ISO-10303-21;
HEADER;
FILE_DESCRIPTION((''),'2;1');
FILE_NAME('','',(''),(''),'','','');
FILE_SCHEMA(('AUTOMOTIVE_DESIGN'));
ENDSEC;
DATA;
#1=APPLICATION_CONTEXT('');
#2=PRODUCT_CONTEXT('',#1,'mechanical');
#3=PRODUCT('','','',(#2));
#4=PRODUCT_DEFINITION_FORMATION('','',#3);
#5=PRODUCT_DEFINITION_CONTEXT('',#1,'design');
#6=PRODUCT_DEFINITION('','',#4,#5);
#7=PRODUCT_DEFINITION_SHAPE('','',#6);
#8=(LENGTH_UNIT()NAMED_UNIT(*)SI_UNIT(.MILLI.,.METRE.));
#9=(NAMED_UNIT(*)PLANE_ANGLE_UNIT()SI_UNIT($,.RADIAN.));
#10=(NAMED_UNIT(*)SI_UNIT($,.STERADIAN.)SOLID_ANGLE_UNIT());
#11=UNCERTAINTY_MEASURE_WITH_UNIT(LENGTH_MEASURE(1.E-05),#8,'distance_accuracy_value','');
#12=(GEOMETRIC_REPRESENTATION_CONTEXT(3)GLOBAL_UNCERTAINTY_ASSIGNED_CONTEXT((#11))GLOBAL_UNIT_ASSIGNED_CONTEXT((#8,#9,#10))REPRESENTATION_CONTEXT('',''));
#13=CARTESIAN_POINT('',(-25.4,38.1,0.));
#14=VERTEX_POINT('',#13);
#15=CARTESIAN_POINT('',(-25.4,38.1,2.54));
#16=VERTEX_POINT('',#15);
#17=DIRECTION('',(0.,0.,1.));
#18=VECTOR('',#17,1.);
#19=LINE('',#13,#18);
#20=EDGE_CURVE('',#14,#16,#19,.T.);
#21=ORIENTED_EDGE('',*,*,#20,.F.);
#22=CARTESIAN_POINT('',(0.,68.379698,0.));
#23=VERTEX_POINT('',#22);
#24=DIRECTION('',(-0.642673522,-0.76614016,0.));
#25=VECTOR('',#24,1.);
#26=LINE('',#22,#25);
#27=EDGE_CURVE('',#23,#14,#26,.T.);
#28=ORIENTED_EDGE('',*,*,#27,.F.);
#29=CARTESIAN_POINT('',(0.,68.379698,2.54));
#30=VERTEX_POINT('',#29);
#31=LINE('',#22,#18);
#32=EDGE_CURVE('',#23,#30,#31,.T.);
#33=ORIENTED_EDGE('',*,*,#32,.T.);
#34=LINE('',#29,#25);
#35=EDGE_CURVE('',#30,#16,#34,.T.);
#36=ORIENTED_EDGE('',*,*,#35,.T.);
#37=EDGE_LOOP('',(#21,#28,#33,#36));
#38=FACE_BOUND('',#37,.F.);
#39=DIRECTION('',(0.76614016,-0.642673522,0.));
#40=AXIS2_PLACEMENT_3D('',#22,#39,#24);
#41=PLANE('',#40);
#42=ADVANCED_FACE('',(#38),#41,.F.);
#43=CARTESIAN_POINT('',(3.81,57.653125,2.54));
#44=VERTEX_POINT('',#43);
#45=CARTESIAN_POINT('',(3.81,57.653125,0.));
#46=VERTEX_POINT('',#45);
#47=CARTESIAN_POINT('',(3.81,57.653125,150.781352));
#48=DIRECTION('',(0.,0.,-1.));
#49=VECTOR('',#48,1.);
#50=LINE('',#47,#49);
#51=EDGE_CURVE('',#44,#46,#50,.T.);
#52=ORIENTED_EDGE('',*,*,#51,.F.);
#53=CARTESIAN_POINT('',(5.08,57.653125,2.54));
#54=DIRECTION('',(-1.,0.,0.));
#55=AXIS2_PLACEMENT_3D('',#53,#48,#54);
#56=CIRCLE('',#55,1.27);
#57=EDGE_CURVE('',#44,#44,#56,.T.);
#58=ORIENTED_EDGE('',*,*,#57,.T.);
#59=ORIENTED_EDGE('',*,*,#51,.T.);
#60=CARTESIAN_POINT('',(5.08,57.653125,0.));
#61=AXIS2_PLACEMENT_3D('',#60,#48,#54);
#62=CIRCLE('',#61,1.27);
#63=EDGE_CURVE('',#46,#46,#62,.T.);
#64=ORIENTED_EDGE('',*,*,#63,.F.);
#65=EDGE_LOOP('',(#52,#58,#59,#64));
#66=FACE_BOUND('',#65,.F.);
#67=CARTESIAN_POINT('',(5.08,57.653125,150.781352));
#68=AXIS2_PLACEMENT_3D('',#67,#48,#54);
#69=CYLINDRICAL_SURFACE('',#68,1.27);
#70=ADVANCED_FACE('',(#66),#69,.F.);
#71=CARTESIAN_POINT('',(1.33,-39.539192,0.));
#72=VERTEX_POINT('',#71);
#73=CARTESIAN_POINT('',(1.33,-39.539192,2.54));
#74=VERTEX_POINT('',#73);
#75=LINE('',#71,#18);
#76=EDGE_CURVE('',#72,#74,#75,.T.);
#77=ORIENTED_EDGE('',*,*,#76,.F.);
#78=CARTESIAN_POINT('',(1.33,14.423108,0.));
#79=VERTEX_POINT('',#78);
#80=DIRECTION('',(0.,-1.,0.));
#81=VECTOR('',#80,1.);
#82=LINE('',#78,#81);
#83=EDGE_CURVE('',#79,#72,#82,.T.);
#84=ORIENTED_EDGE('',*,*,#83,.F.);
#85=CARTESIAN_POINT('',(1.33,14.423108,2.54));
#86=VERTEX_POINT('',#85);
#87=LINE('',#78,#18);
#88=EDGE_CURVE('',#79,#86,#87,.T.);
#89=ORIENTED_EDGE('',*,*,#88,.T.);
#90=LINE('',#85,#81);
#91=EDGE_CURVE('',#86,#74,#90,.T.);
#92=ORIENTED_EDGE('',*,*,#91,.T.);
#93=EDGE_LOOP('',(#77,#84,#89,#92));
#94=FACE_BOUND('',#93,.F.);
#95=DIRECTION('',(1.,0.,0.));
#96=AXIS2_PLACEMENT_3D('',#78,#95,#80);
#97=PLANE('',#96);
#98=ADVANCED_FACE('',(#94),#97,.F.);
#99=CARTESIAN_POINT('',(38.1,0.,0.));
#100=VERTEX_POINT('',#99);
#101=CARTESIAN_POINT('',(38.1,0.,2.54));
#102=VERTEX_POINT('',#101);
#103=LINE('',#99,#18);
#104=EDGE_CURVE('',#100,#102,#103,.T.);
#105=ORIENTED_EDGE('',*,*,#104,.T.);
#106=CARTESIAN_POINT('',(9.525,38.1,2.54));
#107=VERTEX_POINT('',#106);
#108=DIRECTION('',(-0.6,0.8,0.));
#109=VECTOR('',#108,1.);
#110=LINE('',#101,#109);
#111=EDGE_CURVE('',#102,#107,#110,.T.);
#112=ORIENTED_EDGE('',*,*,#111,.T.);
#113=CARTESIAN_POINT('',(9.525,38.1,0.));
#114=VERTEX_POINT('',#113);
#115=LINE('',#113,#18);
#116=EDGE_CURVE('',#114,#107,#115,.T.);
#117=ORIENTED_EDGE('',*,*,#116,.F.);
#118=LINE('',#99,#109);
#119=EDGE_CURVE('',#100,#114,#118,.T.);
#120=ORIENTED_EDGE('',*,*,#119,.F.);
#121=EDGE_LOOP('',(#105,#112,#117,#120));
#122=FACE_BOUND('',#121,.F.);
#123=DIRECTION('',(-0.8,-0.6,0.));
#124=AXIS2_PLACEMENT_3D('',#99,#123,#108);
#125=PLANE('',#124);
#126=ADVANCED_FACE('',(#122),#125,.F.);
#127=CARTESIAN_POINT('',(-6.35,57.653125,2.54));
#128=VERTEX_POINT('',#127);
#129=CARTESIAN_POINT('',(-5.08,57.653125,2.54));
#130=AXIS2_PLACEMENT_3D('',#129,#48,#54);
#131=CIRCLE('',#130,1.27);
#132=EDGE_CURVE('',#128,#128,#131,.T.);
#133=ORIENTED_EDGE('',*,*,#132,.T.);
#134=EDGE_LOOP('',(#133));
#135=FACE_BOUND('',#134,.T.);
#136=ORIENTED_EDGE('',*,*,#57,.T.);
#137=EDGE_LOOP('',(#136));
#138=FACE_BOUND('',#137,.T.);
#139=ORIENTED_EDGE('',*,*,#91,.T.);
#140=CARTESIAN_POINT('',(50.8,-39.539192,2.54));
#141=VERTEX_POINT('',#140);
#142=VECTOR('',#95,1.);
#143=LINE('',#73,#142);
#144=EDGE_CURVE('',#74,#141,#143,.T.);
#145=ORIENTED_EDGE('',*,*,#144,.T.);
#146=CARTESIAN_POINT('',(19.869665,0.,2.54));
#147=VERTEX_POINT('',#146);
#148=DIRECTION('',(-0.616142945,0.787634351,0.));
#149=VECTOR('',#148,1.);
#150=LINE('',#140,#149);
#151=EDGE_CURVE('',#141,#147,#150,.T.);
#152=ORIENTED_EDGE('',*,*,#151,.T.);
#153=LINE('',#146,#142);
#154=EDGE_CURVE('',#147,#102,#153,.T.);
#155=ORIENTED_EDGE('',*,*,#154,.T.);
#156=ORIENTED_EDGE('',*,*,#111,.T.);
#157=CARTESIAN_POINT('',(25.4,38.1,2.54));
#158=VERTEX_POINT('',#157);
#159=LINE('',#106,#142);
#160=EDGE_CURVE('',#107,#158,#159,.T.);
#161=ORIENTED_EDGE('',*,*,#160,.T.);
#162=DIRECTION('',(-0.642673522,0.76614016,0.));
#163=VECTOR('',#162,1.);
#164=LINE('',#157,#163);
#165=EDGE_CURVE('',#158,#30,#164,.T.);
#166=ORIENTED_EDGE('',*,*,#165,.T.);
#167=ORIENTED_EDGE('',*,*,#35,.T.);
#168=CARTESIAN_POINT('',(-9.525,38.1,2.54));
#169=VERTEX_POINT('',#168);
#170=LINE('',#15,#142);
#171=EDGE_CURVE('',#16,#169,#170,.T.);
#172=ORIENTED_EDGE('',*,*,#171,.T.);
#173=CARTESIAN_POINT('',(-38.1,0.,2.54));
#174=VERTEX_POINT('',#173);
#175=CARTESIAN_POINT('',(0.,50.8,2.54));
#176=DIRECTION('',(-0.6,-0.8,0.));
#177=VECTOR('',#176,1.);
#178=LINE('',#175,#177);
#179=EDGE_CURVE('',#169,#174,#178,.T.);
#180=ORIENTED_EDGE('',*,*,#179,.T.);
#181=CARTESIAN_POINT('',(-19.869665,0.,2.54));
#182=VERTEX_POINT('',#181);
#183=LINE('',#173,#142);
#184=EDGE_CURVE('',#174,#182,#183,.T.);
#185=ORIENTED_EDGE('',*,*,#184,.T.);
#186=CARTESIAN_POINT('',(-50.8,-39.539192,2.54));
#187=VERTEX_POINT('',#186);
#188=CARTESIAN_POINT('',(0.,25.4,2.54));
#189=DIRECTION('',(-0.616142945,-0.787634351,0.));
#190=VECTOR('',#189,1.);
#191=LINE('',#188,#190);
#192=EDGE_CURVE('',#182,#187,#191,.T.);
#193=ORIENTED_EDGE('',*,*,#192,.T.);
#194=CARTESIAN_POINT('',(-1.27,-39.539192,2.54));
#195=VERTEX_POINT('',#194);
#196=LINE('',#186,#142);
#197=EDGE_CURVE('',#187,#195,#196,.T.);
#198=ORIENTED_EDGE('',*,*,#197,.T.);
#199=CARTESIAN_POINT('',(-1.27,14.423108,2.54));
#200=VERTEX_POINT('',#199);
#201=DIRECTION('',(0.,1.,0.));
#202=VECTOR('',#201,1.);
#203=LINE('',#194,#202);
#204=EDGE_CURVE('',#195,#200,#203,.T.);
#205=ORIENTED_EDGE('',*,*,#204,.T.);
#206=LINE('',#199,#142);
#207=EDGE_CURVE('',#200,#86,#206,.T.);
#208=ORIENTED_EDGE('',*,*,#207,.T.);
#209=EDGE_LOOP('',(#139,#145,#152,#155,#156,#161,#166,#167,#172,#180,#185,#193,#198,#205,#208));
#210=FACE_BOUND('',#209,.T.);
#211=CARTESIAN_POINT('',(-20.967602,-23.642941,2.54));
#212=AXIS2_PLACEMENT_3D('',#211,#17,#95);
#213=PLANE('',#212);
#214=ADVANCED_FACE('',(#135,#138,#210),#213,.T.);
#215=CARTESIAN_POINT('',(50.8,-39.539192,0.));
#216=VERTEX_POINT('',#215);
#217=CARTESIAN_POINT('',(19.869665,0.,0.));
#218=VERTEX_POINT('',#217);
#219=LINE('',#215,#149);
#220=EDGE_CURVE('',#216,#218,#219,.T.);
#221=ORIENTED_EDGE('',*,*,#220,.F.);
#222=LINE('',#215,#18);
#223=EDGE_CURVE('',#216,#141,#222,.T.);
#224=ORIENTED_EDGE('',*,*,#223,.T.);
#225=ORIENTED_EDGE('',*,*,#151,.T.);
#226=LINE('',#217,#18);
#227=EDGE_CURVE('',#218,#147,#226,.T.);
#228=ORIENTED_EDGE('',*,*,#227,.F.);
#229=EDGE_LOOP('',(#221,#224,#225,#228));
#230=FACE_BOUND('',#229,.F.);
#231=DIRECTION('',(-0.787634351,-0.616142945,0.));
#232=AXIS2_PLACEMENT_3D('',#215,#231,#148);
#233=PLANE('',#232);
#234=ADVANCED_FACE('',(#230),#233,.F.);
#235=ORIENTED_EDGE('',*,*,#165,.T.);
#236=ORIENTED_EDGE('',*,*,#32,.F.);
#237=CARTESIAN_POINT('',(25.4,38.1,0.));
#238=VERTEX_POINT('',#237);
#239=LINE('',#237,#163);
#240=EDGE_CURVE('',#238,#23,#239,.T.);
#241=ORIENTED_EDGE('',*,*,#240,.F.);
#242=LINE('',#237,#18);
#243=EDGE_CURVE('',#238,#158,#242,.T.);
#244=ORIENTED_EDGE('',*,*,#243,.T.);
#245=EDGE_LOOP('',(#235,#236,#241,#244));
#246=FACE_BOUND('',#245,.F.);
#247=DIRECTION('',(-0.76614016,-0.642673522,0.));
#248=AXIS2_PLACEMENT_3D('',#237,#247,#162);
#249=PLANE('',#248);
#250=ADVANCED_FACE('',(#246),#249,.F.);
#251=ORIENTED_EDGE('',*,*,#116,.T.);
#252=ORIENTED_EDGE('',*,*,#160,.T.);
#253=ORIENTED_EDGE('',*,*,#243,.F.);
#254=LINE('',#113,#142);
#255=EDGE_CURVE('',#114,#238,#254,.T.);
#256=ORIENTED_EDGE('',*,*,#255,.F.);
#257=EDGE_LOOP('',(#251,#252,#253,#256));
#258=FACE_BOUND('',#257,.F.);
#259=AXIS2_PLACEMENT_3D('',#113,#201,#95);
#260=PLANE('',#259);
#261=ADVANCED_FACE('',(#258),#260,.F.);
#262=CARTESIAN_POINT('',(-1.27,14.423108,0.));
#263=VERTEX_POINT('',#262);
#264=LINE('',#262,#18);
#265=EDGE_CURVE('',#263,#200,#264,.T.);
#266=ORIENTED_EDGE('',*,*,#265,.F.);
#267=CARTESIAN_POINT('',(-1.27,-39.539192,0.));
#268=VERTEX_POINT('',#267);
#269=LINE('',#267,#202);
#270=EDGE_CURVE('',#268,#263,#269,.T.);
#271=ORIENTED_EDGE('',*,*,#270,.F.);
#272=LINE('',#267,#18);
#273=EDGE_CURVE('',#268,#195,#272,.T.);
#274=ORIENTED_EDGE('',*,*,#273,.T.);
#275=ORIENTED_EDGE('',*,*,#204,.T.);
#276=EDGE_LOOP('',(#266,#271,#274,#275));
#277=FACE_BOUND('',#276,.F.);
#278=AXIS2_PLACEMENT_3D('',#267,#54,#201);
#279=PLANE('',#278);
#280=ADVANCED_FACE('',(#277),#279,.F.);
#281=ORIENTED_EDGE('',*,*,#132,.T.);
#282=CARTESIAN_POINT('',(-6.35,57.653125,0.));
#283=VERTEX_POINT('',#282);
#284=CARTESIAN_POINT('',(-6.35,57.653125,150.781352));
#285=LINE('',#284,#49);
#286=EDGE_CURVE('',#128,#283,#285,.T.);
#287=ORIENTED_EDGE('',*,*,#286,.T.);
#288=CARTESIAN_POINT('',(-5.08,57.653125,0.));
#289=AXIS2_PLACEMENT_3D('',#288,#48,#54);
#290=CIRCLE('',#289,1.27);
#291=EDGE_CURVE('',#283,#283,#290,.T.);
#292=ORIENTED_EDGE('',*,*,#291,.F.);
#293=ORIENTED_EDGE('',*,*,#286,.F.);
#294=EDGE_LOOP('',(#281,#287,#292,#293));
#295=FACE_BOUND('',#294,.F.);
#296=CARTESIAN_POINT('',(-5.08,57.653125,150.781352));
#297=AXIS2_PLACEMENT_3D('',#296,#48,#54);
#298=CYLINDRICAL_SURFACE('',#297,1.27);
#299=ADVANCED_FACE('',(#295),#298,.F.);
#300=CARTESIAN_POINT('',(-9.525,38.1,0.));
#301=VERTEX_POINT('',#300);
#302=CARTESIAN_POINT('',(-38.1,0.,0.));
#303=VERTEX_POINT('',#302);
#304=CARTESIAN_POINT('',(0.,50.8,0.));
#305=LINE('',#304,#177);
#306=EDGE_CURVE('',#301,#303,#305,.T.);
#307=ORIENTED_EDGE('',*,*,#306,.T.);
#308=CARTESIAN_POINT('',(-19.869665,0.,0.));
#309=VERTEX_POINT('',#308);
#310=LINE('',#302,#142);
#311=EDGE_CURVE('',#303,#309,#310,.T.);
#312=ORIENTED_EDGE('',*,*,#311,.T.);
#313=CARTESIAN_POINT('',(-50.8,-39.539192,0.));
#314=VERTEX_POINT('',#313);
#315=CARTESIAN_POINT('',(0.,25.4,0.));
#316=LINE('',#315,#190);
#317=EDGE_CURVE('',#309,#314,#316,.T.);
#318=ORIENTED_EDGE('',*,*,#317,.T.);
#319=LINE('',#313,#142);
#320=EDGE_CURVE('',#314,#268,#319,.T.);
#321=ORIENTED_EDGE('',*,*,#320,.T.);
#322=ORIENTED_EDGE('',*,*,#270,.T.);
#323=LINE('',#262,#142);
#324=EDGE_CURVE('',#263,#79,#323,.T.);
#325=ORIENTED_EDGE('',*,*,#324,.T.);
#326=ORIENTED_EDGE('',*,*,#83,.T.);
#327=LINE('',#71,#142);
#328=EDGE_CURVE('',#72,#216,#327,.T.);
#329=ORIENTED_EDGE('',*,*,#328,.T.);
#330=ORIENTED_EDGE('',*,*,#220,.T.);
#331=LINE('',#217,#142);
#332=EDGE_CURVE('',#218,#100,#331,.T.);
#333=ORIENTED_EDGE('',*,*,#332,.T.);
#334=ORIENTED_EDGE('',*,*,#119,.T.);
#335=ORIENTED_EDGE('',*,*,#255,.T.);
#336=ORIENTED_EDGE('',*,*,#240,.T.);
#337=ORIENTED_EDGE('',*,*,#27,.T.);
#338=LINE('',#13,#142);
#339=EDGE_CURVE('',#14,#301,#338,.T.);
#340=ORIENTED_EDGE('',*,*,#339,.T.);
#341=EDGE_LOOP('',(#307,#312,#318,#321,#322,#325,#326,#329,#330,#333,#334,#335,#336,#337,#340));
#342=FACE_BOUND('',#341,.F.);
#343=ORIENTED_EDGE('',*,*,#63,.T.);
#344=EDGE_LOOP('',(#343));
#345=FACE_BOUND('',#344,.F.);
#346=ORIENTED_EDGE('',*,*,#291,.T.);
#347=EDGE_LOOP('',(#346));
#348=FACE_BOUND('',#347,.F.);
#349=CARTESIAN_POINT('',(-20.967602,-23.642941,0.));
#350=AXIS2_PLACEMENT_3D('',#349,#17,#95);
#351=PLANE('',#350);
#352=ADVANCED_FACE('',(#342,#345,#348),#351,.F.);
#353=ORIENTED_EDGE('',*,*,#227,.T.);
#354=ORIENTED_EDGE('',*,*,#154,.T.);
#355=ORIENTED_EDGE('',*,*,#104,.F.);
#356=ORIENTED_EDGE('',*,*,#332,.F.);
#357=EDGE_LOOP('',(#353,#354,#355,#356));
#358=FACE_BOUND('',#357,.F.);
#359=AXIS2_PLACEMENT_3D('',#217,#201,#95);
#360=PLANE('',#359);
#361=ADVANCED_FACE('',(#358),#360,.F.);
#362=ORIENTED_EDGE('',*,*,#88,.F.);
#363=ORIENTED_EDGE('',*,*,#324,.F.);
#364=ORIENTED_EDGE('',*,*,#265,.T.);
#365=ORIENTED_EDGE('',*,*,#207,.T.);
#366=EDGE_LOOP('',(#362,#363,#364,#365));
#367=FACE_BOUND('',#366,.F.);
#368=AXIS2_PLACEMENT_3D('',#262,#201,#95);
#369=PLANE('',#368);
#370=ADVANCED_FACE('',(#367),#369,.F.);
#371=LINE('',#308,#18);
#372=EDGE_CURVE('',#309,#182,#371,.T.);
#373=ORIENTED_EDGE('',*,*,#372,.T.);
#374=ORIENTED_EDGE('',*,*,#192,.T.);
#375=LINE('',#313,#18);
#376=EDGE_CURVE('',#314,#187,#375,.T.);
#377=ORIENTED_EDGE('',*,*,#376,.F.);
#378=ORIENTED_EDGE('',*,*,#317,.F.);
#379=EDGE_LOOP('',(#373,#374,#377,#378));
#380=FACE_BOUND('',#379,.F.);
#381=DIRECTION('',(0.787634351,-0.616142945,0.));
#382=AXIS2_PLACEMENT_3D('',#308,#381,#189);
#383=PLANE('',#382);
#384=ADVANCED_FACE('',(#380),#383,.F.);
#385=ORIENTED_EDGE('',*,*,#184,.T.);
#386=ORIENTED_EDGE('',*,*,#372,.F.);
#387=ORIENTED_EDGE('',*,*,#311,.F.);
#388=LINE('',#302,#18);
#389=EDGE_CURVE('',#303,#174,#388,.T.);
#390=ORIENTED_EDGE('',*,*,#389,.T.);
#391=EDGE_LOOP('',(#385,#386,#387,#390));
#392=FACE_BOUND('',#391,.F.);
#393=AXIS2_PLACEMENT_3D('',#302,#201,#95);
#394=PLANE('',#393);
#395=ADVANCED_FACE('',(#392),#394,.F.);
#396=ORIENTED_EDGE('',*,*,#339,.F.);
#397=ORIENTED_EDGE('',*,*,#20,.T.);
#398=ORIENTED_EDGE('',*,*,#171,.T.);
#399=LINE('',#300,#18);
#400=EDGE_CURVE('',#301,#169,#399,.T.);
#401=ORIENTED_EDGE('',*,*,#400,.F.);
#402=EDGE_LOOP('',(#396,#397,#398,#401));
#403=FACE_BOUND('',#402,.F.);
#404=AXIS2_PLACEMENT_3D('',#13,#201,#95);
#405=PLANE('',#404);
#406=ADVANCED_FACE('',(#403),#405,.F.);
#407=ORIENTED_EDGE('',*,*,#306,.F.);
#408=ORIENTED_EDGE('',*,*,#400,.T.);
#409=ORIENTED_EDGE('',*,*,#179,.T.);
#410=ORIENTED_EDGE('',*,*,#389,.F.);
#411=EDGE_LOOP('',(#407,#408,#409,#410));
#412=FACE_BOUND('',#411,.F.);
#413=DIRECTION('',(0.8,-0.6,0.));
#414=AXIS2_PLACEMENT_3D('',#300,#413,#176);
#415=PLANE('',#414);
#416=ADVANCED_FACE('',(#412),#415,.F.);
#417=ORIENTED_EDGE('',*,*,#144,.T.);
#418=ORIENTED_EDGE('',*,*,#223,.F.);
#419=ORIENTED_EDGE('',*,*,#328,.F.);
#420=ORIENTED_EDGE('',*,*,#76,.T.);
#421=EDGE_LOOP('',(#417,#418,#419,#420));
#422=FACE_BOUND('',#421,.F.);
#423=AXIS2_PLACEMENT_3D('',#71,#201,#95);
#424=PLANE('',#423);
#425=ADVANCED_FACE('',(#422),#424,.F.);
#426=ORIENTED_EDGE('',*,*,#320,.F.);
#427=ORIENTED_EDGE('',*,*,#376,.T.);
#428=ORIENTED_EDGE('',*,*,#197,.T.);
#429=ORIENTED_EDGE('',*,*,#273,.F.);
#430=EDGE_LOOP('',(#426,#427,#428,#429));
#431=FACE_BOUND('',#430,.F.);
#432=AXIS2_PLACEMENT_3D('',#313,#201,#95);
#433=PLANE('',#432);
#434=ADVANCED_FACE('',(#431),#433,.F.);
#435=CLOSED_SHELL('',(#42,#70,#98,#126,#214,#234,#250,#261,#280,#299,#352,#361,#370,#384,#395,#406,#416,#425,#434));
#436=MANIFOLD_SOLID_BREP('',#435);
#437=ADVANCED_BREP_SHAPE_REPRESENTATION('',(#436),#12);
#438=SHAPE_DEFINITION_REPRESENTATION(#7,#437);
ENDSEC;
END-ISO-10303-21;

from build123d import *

# Parameters (mm, degrees)
F1_DEPTH = 2.54
F3_D     = 2.54


with BuildPart() as f1:
    # F0 (on Top) → F1 (new body)
    with BuildSketch(Plane.XY):
        Polygon((-1.27, 0), (-19.869665136, 0), (-50.8, -39.5391920381), (-1.27, -39.5391920381), align=None)
        Polygon((50.8, -39.5391920381), (19.869665136, 0), (1.33, 0), (1.33, -39.5391920381), align=None)
        Polygon((0, 25.4), (-19.869665136, 0), (-1.27, 0), (-1.27, 14.4231079619), (1.33, 14.4231079619), (1.33, 0), (19.869665136, 0), align=None)
        Polygon((9.525, 38.1), (-9.525, 38.1), (-38.1, 0), (-19.869665136, 0), (0, 25.4), (19.869665136, 0), (38.1, 0), align=None)
        Polygon((0, 50.8), (-9.525, 38.1), (9.525, 38.1), align=None)
        Polygon((25.4, 38.1), (0, 68.3796978479), (-25.4, 38.1), (-9.525, 38.1), (0, 50.8), (9.525, 38.1), align=None)
    extrude(amount=F1_DEPTH)

    # F3 (through all)
    with Locations(Plane.XY.offset(2.54)):
        with Locations((-5.08, 57.6531253755), (5.08, 57.6531253755)):
            Hole(F3_D / 2)


solid = f1.part
